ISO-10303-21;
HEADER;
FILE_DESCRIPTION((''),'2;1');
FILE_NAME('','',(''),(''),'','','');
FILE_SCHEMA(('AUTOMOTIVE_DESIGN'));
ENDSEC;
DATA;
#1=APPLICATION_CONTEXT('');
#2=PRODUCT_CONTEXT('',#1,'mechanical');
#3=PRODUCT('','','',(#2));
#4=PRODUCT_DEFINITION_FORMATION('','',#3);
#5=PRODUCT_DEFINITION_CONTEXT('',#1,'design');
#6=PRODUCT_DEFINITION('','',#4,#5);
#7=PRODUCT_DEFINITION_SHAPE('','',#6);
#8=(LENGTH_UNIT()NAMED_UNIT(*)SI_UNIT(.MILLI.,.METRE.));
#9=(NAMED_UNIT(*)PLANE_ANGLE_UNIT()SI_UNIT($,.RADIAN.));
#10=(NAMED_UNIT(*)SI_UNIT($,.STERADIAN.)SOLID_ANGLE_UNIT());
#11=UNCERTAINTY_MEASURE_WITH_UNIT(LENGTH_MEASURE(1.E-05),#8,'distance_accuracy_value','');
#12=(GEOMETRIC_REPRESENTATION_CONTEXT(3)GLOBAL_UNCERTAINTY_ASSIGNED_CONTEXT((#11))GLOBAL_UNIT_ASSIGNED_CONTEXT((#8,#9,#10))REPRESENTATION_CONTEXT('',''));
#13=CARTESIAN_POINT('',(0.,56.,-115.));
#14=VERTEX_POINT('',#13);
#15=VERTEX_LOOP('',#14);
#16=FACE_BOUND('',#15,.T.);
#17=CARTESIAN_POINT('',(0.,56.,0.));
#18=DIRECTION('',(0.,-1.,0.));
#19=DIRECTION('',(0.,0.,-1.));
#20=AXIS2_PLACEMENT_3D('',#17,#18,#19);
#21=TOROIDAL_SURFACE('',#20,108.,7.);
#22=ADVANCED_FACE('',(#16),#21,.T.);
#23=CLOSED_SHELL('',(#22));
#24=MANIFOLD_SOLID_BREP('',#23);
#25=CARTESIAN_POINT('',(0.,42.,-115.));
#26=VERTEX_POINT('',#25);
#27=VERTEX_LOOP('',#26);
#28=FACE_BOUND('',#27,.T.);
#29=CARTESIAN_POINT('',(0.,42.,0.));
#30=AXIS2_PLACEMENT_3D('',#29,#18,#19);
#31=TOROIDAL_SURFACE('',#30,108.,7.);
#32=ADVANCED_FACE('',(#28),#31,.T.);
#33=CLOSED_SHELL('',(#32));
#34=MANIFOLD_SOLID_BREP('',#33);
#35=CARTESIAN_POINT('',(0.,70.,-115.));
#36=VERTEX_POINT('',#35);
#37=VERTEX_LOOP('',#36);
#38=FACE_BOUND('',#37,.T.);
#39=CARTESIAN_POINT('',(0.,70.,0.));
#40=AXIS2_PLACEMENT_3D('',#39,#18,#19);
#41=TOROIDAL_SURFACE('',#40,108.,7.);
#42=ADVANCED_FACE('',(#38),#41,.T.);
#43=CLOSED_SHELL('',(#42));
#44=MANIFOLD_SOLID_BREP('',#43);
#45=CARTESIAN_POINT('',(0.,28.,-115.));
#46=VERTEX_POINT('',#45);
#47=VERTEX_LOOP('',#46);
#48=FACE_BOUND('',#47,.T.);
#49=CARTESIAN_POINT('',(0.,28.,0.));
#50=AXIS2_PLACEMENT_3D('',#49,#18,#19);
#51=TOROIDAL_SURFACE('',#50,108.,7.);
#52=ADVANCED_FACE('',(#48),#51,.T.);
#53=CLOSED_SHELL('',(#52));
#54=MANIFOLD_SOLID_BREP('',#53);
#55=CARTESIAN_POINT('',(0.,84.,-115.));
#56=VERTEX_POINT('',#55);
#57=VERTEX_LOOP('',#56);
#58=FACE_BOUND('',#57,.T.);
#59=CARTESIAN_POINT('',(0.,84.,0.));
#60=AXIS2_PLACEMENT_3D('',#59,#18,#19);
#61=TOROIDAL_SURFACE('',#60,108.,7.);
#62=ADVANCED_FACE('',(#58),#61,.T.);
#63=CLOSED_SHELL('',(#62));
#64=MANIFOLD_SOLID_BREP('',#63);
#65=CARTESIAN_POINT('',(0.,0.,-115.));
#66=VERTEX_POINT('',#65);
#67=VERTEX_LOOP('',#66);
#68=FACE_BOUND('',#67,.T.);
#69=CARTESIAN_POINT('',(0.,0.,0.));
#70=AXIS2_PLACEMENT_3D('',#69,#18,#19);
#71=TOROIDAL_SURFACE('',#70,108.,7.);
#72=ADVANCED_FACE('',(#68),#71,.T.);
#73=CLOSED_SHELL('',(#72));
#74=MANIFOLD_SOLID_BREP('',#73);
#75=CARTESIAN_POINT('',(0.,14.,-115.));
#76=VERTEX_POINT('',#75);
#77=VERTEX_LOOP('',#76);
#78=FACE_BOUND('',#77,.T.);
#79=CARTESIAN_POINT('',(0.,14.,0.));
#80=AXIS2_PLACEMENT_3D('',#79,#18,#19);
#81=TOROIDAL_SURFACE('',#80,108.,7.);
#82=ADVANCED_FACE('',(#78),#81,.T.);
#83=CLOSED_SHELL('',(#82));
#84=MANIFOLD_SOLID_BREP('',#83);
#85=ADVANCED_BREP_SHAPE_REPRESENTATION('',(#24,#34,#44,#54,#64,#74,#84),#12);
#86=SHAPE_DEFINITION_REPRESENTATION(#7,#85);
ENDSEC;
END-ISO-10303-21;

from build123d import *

# Parameters (mm, degrees)
SKETCH_1_R = 7
SKETCH_2_R = 7
SKETCH_3_R = 7
SKETCH_4_R = 7
SKETCH_5_R = 7
SKETCH_6_R = 7
SKETCH_7_R = 7


with BuildPart() as part:
    # 草图1 → 旋转1 (revolve)
    with BuildSketch(Plane.XY):
        with Locations((108, 0)):
            Circle(SKETCH_1_R)
    revolve(axis=Axis((0, 0, 0), (0, 1, 0)))


with BuildPart() as body_2:
    # 草图2 → 旋转2 (revolve)
    with BuildSketch(Plane.XY):
        with Locations((108, 14)):
            Circle(SKETCH_2_R)
    revolve(axis=Axis((0, 0, 0), (0, 1, 0)))


with BuildPart() as body_3:
    # 草图3 → 旋转3 (revolve)
    with BuildSketch(Plane.XY):
        with Locations((108, 28)):
            Circle(SKETCH_3_R)
    revolve(axis=Axis((0, 0, 0), (0, 1, 0)))


with BuildPart() as body_4:
    # 草图4 → 旋转4 (revolve)
    with BuildSketch(Plane.XY):
        with Locations((108, 42)):
            Circle(SKETCH_4_R)
    revolve(axis=Axis((0, 0, 0), (0, 1, 0)))


with BuildPart() as body_5:
    # 草图5 → 旋转5 (revolve)
    with BuildSketch(Plane.XY):
        with Locations((108, 56)):
            Circle(SKETCH_5_R)
    revolve(axis=Axis((0, 0, 0), (0, 1, 0)))


with BuildPart() as body_6:
    # 草图6 → 旋转6 (revolve)
    with BuildSketch(Plane.XY):
        with Locations((108, 70)):
            Circle(SKETCH_6_R)
    revolve(axis=Axis((0, 0, 0), (0, 1, 0)))


with BuildPart() as body_7:
    # 草图7 → 旋转7 (revolve)
    with BuildSketch(Plane.XY):
        with Locations((108, 84)):
            Circle(SKETCH_7_R)
    revolve(axis=Axis((0, 0, 0), (0, 1, 0)))


solid = Compound([part.part, body_2.part, body_3.part, body_4.part, body_5.part, body_6.part, body_7.part])
